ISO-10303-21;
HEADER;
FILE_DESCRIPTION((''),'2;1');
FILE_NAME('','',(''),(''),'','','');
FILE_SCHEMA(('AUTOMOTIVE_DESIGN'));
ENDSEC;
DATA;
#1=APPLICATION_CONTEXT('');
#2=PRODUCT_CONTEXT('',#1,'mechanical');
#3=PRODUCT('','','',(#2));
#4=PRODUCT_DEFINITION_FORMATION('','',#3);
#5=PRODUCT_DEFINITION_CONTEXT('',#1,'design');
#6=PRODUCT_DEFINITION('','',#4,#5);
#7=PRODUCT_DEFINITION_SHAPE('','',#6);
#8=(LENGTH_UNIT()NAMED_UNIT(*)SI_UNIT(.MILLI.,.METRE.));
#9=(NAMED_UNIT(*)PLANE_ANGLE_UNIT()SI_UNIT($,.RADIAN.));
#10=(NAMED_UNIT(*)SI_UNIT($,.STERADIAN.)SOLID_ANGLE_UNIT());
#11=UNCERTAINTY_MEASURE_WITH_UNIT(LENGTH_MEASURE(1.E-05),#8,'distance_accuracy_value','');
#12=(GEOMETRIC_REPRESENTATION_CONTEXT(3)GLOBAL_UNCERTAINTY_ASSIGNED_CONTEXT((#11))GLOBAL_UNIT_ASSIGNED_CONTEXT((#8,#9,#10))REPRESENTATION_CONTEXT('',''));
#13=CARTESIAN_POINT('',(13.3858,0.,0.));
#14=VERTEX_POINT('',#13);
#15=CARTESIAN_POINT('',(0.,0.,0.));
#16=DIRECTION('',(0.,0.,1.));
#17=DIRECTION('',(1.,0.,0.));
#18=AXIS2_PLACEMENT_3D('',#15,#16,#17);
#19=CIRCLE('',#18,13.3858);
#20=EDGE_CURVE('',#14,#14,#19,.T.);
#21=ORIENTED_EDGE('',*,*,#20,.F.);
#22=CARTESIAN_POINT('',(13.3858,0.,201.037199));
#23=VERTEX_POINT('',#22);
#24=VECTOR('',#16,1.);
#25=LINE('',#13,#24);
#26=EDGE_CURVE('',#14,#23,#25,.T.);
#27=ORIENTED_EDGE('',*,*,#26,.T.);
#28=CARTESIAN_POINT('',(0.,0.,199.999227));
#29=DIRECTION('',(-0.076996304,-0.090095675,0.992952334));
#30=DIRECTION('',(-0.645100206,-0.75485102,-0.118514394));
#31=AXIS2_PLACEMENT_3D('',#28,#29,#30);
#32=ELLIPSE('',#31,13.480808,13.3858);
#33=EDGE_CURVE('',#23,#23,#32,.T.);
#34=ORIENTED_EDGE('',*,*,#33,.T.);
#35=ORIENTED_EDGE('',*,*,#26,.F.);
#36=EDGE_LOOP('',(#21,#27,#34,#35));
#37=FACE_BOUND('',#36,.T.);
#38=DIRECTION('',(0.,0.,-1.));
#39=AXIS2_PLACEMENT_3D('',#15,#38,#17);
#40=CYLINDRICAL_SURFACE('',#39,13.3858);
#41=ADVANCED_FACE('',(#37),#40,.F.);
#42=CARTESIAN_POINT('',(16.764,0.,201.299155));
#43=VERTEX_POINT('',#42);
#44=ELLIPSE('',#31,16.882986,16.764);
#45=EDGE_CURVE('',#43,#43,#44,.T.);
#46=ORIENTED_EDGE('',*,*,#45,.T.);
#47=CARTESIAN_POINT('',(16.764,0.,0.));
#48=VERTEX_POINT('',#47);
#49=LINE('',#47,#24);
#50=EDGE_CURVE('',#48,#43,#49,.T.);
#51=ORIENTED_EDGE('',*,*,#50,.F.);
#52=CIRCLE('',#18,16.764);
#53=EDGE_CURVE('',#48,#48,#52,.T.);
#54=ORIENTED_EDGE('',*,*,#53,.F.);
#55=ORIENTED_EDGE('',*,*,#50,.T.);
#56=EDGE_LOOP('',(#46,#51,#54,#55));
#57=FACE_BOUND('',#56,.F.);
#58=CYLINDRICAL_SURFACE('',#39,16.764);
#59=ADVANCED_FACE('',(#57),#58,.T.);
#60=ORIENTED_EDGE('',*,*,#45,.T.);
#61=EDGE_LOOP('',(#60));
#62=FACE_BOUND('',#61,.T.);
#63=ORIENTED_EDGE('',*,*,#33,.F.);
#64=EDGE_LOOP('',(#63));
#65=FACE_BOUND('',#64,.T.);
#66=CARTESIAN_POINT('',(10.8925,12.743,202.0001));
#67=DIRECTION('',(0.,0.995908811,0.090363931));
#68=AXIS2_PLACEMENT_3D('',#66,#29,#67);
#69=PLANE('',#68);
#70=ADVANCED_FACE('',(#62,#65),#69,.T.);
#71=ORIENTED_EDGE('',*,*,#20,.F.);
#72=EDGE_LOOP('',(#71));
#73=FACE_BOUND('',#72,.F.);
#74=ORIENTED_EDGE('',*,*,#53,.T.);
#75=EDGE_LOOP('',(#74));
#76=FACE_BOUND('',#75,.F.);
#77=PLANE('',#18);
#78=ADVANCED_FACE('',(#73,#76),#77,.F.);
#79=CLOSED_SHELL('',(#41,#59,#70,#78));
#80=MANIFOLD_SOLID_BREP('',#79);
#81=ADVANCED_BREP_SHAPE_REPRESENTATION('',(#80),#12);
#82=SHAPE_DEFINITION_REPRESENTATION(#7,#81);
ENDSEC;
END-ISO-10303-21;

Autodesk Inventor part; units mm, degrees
ref_plane "Start plane" through (0, 0, 0) normal (0, 0, 1) x (1, 0, 0)
ref_plane "End plane" through (0, 0, 202.8199) normal (0, 0, 1) x (1, 0, 0)
sketch "Sketch" plane through (0, 0, 0) normal (0, 0, 1) x (1, 0, 0)
  circle A0 centre (0, 0) radius 13.3858
  circle A1 centre (0, 0) radius 16.764
  dimension "d0" = 33.528
  dimension "d1" = 3.3782
extrude "Body" add sketch "Sketch" along normal up to surface (202.8199 mm away) from surface at 0
sketch "Sketch3" plane through (0, 0, 0) normal (0, 0, 1) x (1, 0, 0)
  line L0 (0, 0) -> (10, 0)
ref_plane "Work Plane3" through (0, 0, 0) normal (0, -1, 0) x (1, 0, 0)
ref_plane "Work Plane4" through (10.8925, 12.743, 202.0001) normal (-0.077, -0.0901, 0.993) x (0.997, -0.0035, 0.077)
split "Split1" plane through (10.8925, 12.743, 202.0001) removes the side toward (-0.077, -0.0901, 0.993)
sketch "Sketch4" plane through (0, 0, 0) normal (0, -1, 0) x (1, 0, 0)
  line L0 (-2, 0) -> (12, 0) projected
  line L1 (-2, 202.8199) -> (12, 202.8199) projected
  dimension "d7" = 202.8199
equation "\"d0\" = G_H"
equation "\"d1\" = G_T"
equation "\"d2\" = G_L"
equation "\"G_H\" = 33.528"
equation "\"G_T\" = 3.3782"
equation "\"G_L\" = 202.0001"
equation "\"G_OFFSET_START\" = 0"
equation "\"G_OFFSET_END\" = 2.81994"
equation "\"d5\" = G_OFFSET_END + B_L"
equation "\"B_L\" = 200"
properties part number "ANSI - 1 x 0.133 - 7.953" material "Steel, Mild"
